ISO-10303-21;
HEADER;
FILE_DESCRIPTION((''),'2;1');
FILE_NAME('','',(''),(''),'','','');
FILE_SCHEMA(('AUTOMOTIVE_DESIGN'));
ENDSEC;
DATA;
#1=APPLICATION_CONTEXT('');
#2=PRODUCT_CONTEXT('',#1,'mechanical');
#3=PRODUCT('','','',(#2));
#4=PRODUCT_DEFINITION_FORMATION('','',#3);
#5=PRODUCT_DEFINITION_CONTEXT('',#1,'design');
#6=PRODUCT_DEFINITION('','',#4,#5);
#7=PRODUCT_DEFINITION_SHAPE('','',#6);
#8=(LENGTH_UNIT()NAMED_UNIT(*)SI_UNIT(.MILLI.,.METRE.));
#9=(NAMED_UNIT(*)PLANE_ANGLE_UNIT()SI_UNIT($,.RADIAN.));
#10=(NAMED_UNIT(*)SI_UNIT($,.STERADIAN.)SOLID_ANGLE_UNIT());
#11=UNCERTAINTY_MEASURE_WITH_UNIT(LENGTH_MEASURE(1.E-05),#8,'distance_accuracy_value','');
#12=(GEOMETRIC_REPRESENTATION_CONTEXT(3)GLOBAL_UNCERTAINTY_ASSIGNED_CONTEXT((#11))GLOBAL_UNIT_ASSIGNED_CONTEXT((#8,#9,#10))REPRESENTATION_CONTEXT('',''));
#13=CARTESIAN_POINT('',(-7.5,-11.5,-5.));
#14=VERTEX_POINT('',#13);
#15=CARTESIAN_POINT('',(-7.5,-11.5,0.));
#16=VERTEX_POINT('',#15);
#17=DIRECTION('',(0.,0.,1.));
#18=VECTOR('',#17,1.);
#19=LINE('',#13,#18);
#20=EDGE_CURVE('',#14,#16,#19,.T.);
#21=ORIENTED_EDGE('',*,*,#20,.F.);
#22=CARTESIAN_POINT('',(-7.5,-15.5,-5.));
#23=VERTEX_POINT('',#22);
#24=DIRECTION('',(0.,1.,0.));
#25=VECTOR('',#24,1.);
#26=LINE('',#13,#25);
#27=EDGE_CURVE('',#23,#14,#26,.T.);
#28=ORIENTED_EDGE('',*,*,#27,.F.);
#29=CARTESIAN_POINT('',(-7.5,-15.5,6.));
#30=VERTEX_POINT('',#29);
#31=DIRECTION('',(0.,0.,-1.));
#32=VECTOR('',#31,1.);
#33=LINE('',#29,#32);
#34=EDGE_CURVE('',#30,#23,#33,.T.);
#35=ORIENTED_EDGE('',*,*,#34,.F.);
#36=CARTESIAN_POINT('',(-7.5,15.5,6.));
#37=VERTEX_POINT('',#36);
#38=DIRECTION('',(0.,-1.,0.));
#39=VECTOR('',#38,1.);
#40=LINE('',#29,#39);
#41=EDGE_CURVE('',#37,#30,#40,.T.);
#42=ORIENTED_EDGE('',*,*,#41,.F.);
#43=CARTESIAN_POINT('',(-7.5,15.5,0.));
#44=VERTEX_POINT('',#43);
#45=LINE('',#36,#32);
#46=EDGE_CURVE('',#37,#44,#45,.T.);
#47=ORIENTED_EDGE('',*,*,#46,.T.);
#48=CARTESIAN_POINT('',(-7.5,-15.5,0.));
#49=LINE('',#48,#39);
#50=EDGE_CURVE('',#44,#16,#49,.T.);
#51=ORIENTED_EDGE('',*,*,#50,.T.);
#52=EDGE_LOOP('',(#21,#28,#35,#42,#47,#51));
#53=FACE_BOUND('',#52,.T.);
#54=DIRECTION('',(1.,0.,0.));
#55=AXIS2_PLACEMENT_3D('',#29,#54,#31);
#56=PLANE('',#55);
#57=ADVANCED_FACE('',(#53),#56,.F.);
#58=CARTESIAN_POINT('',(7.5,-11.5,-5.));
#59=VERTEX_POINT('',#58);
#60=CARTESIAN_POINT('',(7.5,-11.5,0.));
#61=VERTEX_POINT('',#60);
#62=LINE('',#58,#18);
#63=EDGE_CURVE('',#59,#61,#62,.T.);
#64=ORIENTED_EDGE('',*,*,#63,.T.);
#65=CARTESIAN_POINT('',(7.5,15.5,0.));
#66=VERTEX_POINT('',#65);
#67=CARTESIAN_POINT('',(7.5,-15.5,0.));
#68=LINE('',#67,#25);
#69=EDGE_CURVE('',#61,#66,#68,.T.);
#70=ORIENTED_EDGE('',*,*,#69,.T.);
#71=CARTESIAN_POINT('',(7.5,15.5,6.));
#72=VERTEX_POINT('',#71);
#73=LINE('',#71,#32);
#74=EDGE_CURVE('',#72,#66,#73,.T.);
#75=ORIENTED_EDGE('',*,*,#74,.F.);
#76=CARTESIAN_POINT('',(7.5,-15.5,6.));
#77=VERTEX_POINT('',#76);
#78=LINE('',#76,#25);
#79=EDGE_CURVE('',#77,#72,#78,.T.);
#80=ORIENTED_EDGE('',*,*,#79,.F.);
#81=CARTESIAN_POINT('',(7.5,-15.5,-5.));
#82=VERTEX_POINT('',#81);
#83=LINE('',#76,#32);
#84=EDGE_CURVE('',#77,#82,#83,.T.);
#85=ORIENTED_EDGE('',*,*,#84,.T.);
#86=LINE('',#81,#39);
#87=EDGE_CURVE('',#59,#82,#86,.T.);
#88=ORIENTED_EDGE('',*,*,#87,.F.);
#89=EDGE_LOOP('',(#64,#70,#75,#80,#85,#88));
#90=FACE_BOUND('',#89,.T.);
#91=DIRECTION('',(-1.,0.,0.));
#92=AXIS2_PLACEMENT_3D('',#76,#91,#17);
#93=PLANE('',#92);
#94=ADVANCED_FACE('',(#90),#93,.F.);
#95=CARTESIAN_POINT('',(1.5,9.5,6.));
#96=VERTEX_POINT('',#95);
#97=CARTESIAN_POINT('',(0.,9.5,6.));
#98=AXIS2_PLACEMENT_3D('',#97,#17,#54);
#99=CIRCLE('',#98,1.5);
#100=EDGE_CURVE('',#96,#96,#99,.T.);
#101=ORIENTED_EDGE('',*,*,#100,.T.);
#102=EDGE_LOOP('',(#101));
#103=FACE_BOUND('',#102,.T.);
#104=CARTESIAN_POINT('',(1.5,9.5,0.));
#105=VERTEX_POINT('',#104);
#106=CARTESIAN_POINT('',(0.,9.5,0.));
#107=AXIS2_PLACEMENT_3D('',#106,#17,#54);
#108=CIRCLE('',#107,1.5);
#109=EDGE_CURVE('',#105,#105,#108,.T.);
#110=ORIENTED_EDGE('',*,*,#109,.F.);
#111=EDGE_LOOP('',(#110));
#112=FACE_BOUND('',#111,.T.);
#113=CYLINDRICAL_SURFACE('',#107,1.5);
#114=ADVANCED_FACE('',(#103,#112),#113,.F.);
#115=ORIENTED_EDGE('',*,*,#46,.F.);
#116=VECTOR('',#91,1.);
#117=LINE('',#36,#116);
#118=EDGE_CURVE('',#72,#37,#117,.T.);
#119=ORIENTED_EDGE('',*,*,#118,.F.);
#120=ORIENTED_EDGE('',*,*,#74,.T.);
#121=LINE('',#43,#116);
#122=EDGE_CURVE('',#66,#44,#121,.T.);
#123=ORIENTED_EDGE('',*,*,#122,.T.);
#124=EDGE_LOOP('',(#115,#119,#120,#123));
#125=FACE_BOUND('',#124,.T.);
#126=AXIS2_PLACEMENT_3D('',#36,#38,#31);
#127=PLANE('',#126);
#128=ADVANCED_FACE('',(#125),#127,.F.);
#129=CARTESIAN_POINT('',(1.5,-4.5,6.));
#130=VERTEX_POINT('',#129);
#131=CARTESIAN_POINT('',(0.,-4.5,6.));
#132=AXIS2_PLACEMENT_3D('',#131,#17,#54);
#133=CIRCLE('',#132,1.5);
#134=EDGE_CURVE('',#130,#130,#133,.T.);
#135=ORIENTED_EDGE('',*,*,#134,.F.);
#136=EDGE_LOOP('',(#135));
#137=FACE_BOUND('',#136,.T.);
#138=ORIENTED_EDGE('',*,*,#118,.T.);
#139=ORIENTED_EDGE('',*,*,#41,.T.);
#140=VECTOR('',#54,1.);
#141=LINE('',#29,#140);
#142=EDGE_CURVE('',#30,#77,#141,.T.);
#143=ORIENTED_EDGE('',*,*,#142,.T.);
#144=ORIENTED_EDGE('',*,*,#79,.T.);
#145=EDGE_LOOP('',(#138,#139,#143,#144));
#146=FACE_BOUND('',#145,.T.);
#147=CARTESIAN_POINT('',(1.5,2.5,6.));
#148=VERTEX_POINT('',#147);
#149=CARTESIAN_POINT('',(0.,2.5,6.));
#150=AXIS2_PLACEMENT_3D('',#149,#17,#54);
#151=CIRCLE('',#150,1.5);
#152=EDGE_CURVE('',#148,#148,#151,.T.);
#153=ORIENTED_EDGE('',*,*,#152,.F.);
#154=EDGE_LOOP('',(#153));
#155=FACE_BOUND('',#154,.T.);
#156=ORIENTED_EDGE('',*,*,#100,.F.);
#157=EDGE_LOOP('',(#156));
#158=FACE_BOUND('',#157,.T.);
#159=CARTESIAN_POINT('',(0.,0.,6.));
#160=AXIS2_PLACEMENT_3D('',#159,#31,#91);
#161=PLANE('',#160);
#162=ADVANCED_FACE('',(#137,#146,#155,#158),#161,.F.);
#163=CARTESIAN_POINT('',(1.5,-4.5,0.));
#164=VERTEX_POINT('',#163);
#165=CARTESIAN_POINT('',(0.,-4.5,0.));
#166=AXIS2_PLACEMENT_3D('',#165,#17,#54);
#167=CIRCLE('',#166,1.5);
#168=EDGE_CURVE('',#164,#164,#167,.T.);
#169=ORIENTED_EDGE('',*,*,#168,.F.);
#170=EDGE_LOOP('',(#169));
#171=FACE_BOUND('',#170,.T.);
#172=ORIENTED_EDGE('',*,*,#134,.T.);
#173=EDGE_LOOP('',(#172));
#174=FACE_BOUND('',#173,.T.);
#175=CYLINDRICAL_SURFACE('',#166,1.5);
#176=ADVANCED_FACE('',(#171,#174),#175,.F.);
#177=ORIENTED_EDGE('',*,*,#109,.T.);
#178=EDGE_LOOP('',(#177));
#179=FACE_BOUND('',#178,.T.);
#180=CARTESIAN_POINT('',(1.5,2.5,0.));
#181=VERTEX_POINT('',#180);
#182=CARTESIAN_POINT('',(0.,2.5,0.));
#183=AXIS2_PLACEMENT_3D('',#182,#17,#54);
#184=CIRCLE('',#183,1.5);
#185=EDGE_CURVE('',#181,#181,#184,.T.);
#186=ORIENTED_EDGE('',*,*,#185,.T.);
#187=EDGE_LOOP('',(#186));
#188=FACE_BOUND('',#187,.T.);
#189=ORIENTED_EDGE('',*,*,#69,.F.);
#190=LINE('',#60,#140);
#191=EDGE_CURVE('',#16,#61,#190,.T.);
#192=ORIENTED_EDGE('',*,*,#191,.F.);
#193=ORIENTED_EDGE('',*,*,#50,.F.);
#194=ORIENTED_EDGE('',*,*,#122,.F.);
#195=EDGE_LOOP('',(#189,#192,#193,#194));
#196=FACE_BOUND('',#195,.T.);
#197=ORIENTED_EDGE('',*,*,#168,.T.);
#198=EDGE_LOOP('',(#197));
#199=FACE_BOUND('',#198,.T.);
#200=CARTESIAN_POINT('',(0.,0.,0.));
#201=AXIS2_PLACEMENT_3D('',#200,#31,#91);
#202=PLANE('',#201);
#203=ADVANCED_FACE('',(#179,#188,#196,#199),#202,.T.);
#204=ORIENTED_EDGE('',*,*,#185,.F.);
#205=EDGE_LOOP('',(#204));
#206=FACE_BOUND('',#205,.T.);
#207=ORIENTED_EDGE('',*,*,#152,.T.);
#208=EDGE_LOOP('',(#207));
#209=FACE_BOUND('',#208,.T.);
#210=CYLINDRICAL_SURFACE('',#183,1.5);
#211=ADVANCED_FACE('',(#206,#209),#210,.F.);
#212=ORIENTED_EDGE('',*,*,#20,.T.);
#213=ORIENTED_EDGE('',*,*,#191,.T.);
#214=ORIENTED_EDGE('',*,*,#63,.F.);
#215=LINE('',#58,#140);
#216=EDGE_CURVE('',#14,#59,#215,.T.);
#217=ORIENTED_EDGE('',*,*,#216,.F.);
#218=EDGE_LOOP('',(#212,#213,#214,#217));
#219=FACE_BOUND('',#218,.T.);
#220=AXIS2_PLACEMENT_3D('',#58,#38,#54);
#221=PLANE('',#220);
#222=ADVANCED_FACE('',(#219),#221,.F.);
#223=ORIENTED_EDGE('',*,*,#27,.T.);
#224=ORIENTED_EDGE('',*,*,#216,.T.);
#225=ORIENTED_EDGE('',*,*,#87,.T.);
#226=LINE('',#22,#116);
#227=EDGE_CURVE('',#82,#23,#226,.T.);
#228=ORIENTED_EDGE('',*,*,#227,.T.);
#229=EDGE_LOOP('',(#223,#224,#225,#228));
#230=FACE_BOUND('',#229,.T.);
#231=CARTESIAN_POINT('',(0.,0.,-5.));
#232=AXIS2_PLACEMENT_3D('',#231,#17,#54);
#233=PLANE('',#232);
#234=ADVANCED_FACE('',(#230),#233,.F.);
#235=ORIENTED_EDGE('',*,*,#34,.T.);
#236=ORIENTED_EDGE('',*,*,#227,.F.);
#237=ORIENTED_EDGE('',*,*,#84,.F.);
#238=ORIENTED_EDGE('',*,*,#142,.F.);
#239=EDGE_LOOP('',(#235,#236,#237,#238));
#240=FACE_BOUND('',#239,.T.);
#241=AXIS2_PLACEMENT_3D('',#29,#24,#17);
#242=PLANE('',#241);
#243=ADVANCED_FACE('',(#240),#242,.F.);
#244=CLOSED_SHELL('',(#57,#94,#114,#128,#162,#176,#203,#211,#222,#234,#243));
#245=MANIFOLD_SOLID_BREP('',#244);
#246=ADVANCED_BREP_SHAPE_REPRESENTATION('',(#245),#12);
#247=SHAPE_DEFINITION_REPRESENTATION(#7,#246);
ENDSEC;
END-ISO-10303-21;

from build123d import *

# Parameters (mm, degrees)
SKETCH1_W           = 15
SKETCH1_H           = 31
BOSS_EXTRUDE1_DEPTH = 6
SKETCH2_R           = 1.5
CUT_EXTRUDE1_DEPTH  = 6
SKETCH3_W           = 15
SKETCH3_H           = 4
BOSS_EXTRUDE2_DEPTH = 5


with BuildPart() as part:
    # Sketch1 → Boss-Extrude1 (new body)
    with BuildSketch(Plane.XY):
        Rectangle(SKETCH1_W, SKETCH1_H)
    extrude(amount=BOSS_EXTRUDE1_DEPTH)

    # Sketch2 → Cut-Extrude1 (cut)
    with BuildSketch(Plane.XY.offset(6)):
        with Locations((0, 9.5)):
            Circle(SKETCH2_R)
        with Locations((0, 2.5)):
            Circle(SKETCH2_R)
        with Locations((0, -4.5)):
            Circle(SKETCH2_R)
    extrude(amount=-CUT_EXTRUDE1_DEPTH, mode=Mode.SUBTRACT)

    # Sketch3 → Boss-Extrude2 (add)
    with BuildSketch(Plane(origin=(0, 0, 0), x_dir=(-1, 0, 0), z_dir=(0, 0, -1))):
        with Locations((0, -13.5)):
            Rectangle(SKETCH3_W, SKETCH3_H)
    extrude(amount=BOSS_EXTRUDE2_DEPTH)


solid = part.part
